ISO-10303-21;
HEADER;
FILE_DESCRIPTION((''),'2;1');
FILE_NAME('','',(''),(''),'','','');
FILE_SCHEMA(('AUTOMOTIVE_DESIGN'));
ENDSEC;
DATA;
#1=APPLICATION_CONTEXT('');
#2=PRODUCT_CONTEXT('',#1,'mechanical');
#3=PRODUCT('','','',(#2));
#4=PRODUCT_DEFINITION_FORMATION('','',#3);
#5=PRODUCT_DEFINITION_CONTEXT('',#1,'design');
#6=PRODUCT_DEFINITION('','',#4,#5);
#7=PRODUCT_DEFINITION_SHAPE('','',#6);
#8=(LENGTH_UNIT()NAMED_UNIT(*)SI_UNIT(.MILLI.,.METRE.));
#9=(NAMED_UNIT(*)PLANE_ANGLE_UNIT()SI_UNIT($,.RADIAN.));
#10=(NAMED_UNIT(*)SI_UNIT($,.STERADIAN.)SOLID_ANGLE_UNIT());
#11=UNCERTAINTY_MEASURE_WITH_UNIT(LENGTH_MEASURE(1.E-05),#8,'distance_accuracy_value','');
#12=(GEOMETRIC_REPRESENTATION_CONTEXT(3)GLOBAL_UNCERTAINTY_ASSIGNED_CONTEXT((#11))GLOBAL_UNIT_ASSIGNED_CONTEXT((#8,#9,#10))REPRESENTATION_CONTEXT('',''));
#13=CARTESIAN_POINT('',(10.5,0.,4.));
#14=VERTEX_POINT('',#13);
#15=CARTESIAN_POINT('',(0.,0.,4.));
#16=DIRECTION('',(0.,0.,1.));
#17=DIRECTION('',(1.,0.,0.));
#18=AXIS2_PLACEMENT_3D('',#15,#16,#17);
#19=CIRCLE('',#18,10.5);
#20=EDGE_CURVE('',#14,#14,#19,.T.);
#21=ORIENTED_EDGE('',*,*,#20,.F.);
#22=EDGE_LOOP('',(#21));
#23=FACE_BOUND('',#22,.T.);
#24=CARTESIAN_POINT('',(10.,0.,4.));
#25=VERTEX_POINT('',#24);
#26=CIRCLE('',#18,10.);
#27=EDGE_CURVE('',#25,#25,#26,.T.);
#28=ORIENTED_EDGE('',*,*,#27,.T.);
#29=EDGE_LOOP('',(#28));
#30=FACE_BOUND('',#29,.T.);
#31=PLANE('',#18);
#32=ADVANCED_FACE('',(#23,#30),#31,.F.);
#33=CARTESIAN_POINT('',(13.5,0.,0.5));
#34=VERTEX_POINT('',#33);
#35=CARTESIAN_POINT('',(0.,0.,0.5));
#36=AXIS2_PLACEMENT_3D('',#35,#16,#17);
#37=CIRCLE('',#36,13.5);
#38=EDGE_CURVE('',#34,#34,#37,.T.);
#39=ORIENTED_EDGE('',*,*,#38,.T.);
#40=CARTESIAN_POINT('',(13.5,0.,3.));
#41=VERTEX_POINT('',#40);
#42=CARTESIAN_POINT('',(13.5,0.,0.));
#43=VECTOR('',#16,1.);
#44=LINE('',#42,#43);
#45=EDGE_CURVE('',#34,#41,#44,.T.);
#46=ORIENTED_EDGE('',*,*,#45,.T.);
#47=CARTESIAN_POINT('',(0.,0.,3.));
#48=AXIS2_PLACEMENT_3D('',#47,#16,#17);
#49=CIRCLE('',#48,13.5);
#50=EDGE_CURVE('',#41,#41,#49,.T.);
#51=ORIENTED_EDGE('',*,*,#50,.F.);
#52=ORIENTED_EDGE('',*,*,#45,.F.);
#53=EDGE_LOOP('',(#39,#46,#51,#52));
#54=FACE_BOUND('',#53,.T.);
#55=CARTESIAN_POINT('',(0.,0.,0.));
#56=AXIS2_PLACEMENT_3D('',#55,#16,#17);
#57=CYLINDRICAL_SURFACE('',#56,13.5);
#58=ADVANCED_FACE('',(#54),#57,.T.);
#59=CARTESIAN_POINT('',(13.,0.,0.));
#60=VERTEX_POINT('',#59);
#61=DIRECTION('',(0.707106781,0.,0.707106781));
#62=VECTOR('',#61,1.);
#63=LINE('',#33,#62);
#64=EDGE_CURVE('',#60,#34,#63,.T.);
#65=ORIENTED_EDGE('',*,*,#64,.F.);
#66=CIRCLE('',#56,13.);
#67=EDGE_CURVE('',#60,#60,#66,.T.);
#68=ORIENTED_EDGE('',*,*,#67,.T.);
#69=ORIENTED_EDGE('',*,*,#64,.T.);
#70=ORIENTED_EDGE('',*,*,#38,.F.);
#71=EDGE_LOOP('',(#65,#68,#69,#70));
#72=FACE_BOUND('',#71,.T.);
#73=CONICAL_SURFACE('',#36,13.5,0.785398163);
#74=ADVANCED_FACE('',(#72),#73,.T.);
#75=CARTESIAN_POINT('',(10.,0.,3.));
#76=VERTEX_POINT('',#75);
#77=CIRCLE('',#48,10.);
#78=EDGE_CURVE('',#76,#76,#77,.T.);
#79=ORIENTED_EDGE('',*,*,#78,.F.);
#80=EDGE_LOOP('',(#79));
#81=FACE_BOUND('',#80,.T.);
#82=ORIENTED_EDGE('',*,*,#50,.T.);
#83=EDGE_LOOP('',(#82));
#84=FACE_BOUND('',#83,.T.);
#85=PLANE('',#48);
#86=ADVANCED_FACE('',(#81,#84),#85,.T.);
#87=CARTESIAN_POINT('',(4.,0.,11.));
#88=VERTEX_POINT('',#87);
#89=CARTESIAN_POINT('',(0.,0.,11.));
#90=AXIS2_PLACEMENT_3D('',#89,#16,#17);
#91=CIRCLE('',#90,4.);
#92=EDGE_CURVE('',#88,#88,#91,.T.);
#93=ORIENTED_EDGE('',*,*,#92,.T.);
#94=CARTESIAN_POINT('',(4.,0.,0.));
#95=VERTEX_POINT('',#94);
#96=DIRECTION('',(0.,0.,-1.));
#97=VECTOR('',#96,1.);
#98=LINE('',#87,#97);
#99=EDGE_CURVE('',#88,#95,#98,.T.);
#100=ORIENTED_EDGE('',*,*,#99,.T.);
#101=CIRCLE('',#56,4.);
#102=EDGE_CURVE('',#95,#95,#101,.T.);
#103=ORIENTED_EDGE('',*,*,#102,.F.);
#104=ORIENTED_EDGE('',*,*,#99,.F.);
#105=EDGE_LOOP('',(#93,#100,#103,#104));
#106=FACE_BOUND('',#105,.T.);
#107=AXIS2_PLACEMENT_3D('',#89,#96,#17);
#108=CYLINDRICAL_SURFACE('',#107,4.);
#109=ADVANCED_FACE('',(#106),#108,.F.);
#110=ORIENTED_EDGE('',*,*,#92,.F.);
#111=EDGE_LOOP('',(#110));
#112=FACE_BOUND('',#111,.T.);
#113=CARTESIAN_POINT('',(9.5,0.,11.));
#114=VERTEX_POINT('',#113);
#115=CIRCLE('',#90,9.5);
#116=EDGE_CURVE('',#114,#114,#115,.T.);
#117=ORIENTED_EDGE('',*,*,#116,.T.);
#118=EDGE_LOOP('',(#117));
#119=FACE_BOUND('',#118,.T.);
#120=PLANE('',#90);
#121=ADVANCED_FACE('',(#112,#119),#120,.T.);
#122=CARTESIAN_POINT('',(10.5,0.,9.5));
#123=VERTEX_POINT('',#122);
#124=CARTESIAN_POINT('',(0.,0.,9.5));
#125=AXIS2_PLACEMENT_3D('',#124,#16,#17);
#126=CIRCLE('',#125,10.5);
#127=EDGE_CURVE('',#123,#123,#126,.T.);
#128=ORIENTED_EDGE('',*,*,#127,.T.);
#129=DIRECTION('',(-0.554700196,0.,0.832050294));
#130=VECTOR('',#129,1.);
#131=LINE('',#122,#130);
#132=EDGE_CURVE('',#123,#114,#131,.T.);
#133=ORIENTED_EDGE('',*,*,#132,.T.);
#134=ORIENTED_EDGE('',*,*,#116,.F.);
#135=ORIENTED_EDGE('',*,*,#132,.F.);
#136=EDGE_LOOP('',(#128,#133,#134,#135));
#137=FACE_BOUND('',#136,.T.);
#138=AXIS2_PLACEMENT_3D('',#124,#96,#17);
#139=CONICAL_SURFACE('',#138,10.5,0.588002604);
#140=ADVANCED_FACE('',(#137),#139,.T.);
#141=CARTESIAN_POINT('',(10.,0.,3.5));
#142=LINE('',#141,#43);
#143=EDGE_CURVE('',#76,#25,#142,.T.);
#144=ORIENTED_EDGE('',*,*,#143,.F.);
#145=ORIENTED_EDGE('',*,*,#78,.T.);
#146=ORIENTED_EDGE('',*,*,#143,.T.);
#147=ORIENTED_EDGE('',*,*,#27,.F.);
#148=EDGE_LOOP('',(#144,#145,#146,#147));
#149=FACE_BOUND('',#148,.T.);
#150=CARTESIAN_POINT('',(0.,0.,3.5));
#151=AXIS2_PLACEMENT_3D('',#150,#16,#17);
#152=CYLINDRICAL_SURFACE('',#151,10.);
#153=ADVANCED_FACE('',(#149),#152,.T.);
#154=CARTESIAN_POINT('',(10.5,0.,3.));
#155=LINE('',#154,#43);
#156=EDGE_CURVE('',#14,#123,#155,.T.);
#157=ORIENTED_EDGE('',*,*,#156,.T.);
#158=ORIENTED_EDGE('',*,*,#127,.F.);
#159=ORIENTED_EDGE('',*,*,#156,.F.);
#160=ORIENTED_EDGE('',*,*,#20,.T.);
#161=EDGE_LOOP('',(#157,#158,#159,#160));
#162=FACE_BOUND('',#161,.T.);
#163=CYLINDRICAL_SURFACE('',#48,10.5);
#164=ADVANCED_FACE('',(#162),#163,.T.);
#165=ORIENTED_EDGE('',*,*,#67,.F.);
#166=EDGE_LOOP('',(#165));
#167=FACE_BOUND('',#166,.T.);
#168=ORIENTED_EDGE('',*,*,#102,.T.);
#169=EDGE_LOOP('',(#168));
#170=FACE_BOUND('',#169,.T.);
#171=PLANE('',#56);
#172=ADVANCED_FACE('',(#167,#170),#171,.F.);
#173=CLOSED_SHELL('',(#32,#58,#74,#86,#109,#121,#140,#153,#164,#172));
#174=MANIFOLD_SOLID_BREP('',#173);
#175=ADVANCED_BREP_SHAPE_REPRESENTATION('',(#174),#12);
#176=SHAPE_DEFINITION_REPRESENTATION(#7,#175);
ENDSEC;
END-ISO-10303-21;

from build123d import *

# Parameters (mm, degrees)
F2_SIZE2 = 1
F2_SIZE  = 1.5
F3_SIZE  = 0.5
F4_W     = 0.5
F4_H     = 1


with BuildPart() as f1:
    # F0 (on Front) → F1 (revolve)
    with BuildSketch(Plane.XZ):
        Polygon((10.5, 11), (4, 11), (4, 0), (13.5, 0), (13.5, 3), (10.5, 3), align=None)
    revolve(axis=Axis((0, 0, 2.786824197), (0, 0, 1)))

    # F2
    f2_edges = [f1.edges().sort_by_distance(p)[0] for p in [
        (-10.5, 0, 11),
    ]]
    f2_side = f1.faces().sort_by_distance((-10.5, 0, 7))[0]
    chamfer(f2_edges, length=F2_SIZE, length2=F2_SIZE2, reference=f2_side)

    # F3
    f3_edges = [f1.edges().sort_by_distance(p)[0] for p in [
        (-13.5, 0, 0),
    ]]
    chamfer(f3_edges, length=F3_SIZE)

    # F4 (on Front) → F5 (revolve, cut)
    with BuildSketch(Plane.XZ):
        with Locations((10.25, 3.5)):
            Rectangle(F4_W, F4_H)
    revolve(axis=Axis((0, 0, 2.786824197), (0, 0, 1)), mode=Mode.SUBTRACT)


solid = f1.part
